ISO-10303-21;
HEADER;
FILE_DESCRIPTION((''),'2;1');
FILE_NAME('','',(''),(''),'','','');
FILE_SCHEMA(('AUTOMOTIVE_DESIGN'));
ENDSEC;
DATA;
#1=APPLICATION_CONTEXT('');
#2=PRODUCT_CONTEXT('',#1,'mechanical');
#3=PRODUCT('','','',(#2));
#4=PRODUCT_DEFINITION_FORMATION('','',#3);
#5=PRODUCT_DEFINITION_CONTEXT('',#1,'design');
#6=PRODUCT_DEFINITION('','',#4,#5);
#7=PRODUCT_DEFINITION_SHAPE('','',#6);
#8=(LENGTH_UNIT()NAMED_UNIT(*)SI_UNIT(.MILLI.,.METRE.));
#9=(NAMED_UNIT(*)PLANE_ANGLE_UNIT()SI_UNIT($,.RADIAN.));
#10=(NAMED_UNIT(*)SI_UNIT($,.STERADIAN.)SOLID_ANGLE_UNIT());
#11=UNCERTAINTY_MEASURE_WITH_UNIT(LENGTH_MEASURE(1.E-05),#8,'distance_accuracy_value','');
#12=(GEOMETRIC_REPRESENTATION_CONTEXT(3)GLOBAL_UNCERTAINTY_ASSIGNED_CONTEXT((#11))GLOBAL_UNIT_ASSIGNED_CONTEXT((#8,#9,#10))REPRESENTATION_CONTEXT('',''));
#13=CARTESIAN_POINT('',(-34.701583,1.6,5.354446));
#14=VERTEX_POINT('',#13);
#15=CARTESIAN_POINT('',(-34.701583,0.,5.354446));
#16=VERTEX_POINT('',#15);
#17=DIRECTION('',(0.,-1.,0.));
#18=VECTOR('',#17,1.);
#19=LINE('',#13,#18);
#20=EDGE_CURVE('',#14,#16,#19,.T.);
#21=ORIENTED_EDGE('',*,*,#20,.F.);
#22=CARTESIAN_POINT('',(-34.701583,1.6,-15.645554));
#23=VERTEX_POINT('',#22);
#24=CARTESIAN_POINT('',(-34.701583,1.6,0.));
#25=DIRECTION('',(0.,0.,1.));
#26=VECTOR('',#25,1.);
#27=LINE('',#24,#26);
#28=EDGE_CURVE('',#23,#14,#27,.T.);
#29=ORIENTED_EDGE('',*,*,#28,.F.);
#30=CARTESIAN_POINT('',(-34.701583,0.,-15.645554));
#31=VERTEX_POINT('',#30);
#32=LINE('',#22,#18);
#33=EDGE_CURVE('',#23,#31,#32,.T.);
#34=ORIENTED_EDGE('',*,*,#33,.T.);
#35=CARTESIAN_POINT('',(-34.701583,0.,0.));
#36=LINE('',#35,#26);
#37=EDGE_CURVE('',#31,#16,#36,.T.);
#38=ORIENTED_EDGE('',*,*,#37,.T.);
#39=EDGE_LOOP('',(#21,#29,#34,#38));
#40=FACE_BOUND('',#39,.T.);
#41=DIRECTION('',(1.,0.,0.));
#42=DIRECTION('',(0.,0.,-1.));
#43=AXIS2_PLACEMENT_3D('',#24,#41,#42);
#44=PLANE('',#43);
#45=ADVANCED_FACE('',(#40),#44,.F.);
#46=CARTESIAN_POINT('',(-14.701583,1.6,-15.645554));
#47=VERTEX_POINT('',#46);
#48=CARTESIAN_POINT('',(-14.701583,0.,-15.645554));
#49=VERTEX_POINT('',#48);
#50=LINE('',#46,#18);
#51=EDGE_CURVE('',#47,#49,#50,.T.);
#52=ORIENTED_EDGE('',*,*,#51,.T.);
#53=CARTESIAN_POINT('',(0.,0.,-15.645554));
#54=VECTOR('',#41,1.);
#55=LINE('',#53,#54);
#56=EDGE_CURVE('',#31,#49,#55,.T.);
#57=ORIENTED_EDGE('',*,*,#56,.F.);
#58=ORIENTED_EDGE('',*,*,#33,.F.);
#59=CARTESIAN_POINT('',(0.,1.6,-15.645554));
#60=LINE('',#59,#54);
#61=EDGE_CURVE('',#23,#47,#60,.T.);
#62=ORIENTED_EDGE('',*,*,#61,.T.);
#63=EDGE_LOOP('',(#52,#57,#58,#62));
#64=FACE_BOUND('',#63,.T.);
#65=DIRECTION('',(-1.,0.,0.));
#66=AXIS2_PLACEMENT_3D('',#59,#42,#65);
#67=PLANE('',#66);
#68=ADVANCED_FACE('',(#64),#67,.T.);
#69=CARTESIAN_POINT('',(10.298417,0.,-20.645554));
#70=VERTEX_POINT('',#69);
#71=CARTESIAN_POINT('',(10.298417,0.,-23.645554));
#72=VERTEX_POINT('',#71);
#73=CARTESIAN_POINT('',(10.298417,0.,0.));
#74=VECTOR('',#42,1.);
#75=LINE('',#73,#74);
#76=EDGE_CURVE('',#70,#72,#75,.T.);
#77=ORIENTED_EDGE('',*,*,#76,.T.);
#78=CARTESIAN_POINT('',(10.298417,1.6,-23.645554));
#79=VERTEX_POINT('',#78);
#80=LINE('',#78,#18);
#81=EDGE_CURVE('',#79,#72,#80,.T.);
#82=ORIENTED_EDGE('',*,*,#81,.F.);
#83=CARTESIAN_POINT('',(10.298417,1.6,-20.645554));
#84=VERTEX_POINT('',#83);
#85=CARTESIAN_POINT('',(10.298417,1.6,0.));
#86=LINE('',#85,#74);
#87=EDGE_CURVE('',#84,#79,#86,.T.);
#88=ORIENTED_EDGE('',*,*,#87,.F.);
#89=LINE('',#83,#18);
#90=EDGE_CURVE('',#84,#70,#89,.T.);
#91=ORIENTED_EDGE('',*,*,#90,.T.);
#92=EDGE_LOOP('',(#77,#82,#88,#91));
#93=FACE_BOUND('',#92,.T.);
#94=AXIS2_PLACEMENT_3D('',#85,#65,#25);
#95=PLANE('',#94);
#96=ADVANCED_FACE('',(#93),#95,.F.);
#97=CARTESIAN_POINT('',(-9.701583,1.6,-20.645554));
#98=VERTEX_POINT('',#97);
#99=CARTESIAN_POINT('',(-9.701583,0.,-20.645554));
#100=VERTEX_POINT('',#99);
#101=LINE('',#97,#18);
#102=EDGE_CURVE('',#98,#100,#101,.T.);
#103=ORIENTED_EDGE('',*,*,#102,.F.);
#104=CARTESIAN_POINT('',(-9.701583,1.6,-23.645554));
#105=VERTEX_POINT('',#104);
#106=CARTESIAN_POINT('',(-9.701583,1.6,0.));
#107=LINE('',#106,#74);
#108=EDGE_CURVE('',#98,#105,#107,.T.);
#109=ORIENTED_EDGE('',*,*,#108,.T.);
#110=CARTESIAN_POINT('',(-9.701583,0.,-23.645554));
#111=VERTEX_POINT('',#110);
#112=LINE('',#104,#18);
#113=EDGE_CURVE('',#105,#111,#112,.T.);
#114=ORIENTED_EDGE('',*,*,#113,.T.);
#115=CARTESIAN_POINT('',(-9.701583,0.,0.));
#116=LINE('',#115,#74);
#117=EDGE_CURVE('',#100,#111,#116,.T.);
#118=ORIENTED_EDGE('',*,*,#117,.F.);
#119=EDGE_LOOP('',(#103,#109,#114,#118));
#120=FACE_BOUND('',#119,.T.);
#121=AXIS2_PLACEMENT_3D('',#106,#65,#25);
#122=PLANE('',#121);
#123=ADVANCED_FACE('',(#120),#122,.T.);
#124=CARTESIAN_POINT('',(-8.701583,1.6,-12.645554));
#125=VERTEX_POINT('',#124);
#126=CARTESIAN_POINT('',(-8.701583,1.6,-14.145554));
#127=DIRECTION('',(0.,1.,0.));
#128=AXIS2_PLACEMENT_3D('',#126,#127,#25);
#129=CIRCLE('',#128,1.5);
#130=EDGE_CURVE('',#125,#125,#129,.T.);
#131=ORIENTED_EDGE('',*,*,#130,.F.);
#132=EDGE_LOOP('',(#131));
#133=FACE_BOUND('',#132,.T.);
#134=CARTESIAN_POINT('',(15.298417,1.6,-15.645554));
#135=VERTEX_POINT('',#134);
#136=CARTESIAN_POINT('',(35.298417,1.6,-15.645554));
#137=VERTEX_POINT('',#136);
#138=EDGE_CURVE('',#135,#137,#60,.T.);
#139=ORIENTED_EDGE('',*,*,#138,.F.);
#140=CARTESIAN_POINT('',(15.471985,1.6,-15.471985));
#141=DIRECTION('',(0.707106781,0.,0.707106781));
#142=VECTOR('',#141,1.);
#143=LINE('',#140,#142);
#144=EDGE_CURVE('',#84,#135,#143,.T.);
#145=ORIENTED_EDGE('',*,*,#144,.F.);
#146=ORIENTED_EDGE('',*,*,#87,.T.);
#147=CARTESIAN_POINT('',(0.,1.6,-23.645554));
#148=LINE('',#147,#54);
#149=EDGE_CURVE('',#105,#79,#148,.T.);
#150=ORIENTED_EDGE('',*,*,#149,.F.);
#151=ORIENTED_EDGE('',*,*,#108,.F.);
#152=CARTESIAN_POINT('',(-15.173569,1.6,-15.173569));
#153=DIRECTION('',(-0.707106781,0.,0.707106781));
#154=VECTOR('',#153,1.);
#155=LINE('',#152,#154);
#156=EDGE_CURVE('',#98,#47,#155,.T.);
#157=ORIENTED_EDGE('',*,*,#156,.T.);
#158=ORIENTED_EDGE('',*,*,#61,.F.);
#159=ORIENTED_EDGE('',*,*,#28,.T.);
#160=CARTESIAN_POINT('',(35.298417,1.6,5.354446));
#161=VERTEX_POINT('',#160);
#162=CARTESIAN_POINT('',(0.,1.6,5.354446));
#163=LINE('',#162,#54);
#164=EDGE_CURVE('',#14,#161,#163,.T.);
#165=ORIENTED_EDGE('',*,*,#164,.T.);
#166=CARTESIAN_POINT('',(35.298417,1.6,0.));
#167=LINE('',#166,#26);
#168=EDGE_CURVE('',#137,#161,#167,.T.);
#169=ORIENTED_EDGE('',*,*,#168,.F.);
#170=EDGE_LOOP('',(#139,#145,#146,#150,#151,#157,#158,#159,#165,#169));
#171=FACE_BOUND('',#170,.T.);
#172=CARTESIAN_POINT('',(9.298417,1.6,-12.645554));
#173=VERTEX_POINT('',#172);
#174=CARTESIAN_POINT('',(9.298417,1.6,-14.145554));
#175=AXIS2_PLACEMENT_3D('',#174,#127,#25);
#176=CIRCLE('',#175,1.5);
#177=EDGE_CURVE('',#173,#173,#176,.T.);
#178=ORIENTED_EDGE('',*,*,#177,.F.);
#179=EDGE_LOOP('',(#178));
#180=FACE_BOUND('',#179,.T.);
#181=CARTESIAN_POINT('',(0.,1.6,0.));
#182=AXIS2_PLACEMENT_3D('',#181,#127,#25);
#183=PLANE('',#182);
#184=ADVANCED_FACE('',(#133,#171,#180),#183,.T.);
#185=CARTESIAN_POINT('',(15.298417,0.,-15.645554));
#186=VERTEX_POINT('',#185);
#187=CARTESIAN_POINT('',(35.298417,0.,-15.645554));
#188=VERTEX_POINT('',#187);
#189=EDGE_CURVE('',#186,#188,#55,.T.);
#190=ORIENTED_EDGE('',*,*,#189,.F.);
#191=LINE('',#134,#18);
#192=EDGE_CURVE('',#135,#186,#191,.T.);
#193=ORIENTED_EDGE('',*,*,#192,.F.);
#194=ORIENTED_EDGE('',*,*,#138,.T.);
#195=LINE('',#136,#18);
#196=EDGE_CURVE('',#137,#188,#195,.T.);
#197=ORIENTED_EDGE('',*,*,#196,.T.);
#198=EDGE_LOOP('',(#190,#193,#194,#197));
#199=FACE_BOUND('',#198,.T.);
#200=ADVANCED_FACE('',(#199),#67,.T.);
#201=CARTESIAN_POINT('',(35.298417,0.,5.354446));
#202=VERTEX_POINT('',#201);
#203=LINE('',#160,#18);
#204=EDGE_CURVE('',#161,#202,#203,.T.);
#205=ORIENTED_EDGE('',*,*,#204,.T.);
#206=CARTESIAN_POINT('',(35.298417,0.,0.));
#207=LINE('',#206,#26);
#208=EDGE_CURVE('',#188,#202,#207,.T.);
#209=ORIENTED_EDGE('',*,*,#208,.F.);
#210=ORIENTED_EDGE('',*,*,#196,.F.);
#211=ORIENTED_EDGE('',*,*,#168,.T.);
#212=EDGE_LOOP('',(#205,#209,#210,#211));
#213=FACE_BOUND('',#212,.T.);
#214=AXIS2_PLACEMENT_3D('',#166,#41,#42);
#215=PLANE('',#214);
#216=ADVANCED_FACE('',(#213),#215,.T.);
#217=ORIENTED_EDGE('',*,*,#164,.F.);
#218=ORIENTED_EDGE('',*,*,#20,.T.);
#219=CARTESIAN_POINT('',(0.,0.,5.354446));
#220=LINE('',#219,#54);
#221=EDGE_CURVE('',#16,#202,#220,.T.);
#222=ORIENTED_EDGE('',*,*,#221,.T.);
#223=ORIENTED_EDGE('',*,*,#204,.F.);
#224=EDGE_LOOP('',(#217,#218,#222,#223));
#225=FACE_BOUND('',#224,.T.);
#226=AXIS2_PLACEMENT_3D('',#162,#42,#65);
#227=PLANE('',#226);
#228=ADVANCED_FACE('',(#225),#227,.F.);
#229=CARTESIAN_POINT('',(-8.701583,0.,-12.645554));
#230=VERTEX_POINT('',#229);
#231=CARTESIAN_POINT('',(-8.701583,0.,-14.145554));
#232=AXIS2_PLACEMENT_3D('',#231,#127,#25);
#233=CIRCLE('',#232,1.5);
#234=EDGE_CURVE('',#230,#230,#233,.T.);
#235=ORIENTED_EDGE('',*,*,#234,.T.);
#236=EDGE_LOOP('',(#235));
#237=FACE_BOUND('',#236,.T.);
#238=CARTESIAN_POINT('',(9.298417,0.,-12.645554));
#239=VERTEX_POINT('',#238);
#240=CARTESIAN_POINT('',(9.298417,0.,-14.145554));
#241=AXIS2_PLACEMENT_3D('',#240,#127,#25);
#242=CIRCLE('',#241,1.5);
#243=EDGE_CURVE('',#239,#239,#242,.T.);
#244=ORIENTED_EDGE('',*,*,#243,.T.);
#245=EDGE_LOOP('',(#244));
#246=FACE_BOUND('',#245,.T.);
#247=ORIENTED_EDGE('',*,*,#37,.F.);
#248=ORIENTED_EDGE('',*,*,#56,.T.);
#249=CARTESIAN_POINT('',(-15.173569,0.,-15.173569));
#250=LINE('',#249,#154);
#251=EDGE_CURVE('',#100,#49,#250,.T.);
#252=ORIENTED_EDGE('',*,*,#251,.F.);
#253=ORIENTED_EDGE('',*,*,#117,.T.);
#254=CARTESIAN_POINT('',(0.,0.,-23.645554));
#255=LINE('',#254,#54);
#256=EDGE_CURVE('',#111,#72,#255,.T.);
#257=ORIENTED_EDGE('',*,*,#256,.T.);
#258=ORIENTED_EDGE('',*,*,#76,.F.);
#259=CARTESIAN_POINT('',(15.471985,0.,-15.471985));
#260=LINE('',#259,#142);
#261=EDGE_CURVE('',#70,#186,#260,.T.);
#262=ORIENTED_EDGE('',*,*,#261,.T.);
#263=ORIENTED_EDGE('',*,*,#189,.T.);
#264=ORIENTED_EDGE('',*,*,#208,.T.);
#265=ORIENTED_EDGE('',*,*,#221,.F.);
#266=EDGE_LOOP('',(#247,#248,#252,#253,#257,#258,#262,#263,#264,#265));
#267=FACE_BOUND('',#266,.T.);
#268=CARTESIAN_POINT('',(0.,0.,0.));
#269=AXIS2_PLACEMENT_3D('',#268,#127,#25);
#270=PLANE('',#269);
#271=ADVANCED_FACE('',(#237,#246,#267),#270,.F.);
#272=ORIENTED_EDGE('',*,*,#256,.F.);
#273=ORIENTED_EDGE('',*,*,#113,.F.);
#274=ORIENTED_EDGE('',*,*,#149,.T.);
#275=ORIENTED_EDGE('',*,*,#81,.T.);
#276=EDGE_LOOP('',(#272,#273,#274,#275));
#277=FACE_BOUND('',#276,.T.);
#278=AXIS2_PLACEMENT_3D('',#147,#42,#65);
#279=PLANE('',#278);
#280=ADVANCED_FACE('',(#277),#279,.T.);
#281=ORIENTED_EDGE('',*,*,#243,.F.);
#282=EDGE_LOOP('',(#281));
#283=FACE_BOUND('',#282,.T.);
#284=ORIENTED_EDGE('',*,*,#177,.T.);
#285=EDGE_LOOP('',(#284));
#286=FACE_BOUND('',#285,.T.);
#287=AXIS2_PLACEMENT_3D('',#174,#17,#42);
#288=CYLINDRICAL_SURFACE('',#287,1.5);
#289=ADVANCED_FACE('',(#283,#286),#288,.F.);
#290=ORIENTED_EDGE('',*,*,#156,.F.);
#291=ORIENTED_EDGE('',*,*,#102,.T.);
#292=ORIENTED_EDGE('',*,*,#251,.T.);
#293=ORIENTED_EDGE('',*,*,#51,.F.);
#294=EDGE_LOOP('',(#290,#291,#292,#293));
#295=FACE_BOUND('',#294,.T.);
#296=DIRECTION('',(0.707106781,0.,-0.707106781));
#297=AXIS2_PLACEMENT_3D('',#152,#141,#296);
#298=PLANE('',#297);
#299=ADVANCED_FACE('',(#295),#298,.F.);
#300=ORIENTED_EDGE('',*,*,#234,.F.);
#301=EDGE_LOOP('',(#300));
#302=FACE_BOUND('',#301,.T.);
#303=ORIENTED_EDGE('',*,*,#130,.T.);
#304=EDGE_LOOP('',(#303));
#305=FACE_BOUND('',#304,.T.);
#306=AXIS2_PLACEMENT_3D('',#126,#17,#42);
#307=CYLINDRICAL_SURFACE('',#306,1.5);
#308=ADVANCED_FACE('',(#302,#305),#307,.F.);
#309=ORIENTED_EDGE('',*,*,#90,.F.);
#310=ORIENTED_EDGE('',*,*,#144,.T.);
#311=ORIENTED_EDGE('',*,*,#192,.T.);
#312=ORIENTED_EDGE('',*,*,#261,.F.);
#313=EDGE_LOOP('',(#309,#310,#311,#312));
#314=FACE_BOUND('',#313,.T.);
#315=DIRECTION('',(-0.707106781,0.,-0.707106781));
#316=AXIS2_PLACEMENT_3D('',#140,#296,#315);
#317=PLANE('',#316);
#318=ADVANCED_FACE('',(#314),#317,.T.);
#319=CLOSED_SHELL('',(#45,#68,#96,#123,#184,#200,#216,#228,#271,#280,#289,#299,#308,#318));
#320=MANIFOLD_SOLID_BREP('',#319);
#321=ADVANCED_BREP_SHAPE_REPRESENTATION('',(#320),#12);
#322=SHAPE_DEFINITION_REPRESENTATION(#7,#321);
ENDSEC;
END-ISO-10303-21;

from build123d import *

# Parameters (mm, degrees)
SKETCH_1_R      = 1.5
EXTRUDE_1_DEPTH = 1.6


with BuildPart() as part:
    # 草图1 → 凸台-拉伸1 (new body)
    with BuildSketch(Plane(origin=(0, 0, 0), x_dir=(1, 0, 0), z_dir=(0, 1, 0))):
        Polygon((-9.701583435, 20.645554202), (-14.701583435, 15.645554202), (-34.701583435, 15.645554202), (-34.701583435, -5.354445798), (35.298416565, -5.354445798), (35.298416565, 15.645554202), (15.298416565, 15.645554202), (10.298416565, 20.645554202), (10.298416565, 23.645554202), (-9.701583435, 23.645554202), align=None)
        with Locations(Location((-8.701583435, 14.145554202, 0), (0, 0, 270))):
            Circle(SKETCH_1_R, mode=Mode.SUBTRACT)
        with Locations(Location((9.298416565, 14.145554202, 0), (0, 0, 270))):
            Circle(SKETCH_1_R, mode=Mode.SUBTRACT)
    extrude(amount=EXTRUDE_1_DEPTH)


solid = part.part
